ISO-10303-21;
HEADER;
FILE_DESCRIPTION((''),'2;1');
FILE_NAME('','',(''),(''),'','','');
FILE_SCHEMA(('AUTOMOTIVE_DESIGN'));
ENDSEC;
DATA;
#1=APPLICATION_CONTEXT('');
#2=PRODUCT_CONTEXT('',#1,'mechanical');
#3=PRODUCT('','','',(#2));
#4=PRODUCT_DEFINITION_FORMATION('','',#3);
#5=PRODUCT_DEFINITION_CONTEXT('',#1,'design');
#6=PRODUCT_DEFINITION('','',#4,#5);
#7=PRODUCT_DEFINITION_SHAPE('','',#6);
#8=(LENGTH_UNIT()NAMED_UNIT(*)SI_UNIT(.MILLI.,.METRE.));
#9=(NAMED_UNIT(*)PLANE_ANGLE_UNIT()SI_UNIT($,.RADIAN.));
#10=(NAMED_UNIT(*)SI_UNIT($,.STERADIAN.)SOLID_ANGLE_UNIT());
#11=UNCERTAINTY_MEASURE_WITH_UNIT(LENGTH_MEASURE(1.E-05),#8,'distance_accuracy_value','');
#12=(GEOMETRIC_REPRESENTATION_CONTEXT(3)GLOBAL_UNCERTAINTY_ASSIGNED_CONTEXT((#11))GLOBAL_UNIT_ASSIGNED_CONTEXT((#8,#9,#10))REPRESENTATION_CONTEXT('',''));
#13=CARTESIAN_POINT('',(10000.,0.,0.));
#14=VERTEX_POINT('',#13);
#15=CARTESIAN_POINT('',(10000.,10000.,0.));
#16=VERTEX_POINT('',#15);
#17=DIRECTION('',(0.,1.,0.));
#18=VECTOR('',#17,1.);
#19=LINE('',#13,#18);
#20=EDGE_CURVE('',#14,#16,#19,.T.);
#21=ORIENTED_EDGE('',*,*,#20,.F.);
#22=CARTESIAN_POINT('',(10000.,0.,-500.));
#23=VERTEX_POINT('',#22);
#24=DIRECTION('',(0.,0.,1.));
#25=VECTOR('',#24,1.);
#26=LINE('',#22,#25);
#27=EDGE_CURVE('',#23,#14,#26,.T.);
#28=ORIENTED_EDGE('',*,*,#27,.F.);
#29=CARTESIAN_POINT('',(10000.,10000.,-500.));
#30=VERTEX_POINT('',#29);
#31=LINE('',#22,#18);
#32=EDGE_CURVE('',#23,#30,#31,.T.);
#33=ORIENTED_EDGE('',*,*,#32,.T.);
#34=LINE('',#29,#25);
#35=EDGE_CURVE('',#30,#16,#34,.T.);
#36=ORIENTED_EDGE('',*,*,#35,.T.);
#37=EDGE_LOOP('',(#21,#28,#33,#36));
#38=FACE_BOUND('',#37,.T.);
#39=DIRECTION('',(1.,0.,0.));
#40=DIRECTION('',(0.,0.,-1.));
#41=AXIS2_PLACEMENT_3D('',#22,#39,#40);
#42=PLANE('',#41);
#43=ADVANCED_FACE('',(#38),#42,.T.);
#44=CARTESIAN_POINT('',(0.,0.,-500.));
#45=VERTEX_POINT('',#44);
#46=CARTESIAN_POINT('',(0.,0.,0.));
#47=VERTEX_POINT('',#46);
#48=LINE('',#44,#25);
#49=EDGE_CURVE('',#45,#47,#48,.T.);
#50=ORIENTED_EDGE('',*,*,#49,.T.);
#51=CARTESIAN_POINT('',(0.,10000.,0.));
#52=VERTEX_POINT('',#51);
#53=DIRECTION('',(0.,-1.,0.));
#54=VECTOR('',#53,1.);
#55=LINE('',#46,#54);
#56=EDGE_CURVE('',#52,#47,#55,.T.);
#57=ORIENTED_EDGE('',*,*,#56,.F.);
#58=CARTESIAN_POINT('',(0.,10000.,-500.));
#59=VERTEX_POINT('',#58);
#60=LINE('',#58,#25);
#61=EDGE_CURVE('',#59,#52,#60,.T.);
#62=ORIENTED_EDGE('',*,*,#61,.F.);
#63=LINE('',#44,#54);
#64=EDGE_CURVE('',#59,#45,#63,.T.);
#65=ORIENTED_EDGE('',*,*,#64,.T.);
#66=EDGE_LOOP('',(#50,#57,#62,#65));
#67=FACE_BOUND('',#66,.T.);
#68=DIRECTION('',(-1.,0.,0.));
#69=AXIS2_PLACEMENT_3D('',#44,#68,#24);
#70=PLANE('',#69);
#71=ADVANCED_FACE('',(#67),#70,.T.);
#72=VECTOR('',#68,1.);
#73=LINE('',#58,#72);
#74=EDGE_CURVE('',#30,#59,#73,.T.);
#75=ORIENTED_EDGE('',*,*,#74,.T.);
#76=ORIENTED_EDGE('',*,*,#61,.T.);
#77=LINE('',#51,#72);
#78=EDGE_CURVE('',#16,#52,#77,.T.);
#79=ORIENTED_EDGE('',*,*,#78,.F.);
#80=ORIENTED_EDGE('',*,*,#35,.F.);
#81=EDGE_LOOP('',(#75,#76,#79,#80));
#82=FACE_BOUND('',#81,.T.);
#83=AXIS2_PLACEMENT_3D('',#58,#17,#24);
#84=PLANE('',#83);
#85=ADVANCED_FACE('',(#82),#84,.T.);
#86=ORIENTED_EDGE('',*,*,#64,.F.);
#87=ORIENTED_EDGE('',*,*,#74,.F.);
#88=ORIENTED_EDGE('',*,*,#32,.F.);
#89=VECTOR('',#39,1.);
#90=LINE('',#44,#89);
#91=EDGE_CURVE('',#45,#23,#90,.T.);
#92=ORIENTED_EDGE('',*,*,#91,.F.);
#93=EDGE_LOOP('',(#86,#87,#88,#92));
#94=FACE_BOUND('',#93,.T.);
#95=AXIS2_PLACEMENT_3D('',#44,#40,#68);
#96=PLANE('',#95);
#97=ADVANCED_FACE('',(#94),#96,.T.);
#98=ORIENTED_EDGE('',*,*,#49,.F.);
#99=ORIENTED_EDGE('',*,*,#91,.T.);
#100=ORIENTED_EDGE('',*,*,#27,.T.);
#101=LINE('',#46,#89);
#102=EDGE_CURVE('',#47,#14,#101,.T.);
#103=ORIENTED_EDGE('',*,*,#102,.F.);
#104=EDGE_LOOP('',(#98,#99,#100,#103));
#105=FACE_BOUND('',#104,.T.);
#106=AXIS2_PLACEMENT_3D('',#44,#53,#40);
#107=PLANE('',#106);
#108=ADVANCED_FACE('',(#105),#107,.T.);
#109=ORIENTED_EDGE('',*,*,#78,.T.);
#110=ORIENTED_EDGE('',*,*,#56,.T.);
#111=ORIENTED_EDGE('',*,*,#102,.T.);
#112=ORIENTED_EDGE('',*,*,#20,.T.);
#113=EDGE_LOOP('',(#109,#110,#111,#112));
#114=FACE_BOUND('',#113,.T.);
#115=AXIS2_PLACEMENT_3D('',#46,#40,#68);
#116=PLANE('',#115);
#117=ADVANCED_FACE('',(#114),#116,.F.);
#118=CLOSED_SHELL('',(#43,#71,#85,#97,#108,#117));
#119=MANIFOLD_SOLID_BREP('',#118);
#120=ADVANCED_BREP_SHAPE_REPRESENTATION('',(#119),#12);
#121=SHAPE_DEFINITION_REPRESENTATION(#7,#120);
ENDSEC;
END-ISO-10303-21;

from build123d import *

# Parameters (mm, degrees)
SKETCH5_W           = 10000
SKETCH5_H           = 10000
BOSS_EXTRUDE2_DEPTH = 500


with BuildPart() as part:
    # Sketch5 → Boss-Extrude2 (new body)
    with BuildSketch(Plane.XY):
        with Locations((5000, 5000)):
            Rectangle(SKETCH5_W, SKETCH5_H)
    extrude(amount=-BOSS_EXTRUDE2_DEPTH)


solid = part.part
